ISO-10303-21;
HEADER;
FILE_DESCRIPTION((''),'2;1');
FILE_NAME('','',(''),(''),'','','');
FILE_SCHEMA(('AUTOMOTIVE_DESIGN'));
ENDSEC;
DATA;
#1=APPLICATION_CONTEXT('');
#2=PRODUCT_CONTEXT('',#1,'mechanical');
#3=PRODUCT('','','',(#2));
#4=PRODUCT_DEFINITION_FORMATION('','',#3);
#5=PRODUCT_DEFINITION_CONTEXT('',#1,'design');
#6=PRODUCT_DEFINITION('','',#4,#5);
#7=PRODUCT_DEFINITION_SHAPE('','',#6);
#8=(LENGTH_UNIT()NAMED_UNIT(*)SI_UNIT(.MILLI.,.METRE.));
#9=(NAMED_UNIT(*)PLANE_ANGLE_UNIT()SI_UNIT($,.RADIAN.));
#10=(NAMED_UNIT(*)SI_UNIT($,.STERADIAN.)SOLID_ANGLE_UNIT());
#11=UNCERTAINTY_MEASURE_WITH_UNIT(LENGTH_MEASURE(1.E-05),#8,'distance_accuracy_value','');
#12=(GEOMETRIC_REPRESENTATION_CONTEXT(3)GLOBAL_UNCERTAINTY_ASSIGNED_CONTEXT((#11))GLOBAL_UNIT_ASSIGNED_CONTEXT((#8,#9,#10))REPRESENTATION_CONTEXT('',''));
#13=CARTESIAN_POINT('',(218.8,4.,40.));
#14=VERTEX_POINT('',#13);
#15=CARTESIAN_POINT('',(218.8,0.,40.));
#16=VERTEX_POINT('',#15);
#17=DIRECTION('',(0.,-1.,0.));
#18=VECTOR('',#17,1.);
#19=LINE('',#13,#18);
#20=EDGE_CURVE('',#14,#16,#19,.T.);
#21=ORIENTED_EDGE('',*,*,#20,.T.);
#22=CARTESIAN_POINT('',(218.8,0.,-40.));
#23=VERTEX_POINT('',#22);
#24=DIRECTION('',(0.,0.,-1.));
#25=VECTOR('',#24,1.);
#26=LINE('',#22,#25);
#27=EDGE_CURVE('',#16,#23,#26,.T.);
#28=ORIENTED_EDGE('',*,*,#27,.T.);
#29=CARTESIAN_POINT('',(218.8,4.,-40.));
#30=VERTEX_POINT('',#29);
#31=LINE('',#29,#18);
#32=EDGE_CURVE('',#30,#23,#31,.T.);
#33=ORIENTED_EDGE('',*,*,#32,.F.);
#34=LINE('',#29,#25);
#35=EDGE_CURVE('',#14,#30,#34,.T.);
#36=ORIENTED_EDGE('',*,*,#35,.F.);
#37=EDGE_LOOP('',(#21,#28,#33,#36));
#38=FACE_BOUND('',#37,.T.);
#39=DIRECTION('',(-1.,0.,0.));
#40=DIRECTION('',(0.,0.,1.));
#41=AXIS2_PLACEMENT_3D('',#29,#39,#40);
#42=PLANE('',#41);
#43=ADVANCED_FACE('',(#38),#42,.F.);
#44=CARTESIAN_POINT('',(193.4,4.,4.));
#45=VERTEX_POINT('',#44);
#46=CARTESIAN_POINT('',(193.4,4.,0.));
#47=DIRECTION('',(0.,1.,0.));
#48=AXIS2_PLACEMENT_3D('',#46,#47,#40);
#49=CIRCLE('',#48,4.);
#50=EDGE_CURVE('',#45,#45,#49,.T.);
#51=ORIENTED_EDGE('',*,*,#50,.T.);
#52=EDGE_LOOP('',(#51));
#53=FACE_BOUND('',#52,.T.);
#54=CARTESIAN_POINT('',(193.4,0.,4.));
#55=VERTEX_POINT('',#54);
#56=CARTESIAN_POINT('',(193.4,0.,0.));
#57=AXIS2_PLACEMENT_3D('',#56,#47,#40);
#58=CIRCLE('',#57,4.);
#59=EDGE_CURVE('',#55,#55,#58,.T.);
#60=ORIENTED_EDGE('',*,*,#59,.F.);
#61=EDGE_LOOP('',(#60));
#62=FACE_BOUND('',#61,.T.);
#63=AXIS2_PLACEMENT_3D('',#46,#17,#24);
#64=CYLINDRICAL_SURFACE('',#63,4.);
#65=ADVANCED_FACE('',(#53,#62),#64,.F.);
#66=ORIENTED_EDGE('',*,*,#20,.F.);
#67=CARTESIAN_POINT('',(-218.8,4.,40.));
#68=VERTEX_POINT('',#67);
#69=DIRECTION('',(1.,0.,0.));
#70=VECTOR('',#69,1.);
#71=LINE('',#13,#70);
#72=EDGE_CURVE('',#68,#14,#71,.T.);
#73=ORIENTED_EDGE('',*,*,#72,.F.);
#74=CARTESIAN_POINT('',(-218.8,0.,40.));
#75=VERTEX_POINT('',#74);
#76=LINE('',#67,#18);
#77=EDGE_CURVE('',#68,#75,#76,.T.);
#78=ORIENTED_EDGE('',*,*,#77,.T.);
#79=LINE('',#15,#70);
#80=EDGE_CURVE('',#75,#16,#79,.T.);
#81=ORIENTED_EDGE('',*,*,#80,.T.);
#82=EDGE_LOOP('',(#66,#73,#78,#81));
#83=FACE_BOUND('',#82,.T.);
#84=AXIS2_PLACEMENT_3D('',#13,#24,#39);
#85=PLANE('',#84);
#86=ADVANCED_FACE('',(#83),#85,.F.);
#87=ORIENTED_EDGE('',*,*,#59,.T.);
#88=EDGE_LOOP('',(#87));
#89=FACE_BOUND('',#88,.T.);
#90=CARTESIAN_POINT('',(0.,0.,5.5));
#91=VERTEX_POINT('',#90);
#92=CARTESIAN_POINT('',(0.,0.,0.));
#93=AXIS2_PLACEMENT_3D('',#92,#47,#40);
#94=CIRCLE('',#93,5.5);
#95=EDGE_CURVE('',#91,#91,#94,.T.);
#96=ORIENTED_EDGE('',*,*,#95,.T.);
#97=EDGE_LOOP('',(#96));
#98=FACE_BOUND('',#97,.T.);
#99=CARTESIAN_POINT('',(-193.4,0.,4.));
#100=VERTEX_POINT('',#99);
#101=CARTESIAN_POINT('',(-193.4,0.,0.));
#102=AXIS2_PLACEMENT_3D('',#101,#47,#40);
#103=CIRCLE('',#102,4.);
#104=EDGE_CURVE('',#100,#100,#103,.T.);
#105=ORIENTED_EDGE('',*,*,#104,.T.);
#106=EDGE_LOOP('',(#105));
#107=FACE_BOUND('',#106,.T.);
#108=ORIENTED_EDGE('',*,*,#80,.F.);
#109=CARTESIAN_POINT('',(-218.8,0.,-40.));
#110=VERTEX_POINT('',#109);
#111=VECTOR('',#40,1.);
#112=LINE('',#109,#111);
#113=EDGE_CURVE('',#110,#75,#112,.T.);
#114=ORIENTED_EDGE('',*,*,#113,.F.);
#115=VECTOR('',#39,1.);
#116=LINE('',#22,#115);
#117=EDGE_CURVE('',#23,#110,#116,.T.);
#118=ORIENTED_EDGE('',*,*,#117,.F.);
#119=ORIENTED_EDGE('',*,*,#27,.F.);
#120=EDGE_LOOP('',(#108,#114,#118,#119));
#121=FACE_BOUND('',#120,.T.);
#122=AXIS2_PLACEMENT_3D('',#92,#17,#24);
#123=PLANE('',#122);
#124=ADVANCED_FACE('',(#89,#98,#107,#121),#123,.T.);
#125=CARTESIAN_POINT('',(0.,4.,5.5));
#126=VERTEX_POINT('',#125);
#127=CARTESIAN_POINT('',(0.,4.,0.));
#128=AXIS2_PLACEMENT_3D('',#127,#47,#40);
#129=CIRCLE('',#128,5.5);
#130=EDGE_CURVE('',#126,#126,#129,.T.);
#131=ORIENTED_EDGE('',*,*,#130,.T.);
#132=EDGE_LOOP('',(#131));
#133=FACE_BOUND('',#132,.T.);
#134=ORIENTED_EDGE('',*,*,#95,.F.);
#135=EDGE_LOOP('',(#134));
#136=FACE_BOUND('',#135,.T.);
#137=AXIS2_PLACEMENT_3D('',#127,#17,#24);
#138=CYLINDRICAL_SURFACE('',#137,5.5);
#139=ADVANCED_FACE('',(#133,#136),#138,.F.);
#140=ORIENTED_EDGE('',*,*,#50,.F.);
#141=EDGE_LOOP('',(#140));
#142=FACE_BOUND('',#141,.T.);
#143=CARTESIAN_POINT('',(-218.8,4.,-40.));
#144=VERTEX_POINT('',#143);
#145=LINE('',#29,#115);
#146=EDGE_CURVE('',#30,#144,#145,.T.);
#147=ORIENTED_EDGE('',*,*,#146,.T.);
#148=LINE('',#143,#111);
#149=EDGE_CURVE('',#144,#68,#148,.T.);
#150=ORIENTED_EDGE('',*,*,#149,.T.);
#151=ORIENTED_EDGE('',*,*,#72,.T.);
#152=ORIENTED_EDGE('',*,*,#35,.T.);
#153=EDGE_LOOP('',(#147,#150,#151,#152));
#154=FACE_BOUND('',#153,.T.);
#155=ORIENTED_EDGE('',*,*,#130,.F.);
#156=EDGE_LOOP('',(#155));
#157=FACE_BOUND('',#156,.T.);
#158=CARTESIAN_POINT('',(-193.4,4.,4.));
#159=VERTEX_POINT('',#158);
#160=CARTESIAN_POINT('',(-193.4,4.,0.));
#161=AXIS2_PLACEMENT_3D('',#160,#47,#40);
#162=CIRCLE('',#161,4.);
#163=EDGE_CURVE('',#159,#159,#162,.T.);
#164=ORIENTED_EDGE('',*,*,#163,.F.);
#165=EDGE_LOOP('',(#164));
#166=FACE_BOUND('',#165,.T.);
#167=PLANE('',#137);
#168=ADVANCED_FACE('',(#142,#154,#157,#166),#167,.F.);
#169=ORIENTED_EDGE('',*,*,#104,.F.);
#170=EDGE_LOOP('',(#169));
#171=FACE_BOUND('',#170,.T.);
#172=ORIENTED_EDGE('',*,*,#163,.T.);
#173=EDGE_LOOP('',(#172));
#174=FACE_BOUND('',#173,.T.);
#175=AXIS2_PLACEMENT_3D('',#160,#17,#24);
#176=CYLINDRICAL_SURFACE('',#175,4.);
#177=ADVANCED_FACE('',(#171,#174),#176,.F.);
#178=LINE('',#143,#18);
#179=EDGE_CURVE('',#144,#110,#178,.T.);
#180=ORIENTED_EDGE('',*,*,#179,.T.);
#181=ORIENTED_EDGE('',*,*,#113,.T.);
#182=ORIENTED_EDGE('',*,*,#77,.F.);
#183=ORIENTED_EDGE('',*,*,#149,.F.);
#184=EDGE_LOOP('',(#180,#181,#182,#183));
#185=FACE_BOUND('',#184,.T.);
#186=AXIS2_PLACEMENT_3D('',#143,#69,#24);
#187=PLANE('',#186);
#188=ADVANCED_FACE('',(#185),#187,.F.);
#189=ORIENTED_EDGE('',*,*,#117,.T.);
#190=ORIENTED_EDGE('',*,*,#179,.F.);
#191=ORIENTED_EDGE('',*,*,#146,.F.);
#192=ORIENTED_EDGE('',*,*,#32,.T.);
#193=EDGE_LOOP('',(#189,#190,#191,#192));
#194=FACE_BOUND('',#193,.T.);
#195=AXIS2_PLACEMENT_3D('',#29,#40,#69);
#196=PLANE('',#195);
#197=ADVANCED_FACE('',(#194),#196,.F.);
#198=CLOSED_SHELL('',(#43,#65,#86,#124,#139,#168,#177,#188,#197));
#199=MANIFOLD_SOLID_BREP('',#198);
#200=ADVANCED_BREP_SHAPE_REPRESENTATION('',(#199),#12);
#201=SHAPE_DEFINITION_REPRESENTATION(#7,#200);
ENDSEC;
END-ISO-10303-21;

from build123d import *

# Parameters (mm, degrees)
SKETCH1_W           = 437.6
SKETCH1_H           = 80
SKETCH1_R           = 5.5
SKETCH1_R_2         = 4
BOSS_EXTRUDE1_DEPTH = 4


with BuildPart() as part:
    # Sketch1 → Boss-Extrude1 (new body)
    with BuildSketch(Plane(origin=(0, 0, 0), x_dir=(1, 0, 0), z_dir=(0, 1, 0))):
        Rectangle(SKETCH1_W, SKETCH1_H)
        Circle(SKETCH1_R, mode=Mode.SUBTRACT)
        with Locations((-193.4, 0)):
            Circle(SKETCH1_R_2, mode=Mode.SUBTRACT)
        with Locations((193.4, 0)):
            Circle(SKETCH1_R_2, mode=Mode.SUBTRACT)
    extrude(amount=BOSS_EXTRUDE1_DEPTH)


solid = part.part
